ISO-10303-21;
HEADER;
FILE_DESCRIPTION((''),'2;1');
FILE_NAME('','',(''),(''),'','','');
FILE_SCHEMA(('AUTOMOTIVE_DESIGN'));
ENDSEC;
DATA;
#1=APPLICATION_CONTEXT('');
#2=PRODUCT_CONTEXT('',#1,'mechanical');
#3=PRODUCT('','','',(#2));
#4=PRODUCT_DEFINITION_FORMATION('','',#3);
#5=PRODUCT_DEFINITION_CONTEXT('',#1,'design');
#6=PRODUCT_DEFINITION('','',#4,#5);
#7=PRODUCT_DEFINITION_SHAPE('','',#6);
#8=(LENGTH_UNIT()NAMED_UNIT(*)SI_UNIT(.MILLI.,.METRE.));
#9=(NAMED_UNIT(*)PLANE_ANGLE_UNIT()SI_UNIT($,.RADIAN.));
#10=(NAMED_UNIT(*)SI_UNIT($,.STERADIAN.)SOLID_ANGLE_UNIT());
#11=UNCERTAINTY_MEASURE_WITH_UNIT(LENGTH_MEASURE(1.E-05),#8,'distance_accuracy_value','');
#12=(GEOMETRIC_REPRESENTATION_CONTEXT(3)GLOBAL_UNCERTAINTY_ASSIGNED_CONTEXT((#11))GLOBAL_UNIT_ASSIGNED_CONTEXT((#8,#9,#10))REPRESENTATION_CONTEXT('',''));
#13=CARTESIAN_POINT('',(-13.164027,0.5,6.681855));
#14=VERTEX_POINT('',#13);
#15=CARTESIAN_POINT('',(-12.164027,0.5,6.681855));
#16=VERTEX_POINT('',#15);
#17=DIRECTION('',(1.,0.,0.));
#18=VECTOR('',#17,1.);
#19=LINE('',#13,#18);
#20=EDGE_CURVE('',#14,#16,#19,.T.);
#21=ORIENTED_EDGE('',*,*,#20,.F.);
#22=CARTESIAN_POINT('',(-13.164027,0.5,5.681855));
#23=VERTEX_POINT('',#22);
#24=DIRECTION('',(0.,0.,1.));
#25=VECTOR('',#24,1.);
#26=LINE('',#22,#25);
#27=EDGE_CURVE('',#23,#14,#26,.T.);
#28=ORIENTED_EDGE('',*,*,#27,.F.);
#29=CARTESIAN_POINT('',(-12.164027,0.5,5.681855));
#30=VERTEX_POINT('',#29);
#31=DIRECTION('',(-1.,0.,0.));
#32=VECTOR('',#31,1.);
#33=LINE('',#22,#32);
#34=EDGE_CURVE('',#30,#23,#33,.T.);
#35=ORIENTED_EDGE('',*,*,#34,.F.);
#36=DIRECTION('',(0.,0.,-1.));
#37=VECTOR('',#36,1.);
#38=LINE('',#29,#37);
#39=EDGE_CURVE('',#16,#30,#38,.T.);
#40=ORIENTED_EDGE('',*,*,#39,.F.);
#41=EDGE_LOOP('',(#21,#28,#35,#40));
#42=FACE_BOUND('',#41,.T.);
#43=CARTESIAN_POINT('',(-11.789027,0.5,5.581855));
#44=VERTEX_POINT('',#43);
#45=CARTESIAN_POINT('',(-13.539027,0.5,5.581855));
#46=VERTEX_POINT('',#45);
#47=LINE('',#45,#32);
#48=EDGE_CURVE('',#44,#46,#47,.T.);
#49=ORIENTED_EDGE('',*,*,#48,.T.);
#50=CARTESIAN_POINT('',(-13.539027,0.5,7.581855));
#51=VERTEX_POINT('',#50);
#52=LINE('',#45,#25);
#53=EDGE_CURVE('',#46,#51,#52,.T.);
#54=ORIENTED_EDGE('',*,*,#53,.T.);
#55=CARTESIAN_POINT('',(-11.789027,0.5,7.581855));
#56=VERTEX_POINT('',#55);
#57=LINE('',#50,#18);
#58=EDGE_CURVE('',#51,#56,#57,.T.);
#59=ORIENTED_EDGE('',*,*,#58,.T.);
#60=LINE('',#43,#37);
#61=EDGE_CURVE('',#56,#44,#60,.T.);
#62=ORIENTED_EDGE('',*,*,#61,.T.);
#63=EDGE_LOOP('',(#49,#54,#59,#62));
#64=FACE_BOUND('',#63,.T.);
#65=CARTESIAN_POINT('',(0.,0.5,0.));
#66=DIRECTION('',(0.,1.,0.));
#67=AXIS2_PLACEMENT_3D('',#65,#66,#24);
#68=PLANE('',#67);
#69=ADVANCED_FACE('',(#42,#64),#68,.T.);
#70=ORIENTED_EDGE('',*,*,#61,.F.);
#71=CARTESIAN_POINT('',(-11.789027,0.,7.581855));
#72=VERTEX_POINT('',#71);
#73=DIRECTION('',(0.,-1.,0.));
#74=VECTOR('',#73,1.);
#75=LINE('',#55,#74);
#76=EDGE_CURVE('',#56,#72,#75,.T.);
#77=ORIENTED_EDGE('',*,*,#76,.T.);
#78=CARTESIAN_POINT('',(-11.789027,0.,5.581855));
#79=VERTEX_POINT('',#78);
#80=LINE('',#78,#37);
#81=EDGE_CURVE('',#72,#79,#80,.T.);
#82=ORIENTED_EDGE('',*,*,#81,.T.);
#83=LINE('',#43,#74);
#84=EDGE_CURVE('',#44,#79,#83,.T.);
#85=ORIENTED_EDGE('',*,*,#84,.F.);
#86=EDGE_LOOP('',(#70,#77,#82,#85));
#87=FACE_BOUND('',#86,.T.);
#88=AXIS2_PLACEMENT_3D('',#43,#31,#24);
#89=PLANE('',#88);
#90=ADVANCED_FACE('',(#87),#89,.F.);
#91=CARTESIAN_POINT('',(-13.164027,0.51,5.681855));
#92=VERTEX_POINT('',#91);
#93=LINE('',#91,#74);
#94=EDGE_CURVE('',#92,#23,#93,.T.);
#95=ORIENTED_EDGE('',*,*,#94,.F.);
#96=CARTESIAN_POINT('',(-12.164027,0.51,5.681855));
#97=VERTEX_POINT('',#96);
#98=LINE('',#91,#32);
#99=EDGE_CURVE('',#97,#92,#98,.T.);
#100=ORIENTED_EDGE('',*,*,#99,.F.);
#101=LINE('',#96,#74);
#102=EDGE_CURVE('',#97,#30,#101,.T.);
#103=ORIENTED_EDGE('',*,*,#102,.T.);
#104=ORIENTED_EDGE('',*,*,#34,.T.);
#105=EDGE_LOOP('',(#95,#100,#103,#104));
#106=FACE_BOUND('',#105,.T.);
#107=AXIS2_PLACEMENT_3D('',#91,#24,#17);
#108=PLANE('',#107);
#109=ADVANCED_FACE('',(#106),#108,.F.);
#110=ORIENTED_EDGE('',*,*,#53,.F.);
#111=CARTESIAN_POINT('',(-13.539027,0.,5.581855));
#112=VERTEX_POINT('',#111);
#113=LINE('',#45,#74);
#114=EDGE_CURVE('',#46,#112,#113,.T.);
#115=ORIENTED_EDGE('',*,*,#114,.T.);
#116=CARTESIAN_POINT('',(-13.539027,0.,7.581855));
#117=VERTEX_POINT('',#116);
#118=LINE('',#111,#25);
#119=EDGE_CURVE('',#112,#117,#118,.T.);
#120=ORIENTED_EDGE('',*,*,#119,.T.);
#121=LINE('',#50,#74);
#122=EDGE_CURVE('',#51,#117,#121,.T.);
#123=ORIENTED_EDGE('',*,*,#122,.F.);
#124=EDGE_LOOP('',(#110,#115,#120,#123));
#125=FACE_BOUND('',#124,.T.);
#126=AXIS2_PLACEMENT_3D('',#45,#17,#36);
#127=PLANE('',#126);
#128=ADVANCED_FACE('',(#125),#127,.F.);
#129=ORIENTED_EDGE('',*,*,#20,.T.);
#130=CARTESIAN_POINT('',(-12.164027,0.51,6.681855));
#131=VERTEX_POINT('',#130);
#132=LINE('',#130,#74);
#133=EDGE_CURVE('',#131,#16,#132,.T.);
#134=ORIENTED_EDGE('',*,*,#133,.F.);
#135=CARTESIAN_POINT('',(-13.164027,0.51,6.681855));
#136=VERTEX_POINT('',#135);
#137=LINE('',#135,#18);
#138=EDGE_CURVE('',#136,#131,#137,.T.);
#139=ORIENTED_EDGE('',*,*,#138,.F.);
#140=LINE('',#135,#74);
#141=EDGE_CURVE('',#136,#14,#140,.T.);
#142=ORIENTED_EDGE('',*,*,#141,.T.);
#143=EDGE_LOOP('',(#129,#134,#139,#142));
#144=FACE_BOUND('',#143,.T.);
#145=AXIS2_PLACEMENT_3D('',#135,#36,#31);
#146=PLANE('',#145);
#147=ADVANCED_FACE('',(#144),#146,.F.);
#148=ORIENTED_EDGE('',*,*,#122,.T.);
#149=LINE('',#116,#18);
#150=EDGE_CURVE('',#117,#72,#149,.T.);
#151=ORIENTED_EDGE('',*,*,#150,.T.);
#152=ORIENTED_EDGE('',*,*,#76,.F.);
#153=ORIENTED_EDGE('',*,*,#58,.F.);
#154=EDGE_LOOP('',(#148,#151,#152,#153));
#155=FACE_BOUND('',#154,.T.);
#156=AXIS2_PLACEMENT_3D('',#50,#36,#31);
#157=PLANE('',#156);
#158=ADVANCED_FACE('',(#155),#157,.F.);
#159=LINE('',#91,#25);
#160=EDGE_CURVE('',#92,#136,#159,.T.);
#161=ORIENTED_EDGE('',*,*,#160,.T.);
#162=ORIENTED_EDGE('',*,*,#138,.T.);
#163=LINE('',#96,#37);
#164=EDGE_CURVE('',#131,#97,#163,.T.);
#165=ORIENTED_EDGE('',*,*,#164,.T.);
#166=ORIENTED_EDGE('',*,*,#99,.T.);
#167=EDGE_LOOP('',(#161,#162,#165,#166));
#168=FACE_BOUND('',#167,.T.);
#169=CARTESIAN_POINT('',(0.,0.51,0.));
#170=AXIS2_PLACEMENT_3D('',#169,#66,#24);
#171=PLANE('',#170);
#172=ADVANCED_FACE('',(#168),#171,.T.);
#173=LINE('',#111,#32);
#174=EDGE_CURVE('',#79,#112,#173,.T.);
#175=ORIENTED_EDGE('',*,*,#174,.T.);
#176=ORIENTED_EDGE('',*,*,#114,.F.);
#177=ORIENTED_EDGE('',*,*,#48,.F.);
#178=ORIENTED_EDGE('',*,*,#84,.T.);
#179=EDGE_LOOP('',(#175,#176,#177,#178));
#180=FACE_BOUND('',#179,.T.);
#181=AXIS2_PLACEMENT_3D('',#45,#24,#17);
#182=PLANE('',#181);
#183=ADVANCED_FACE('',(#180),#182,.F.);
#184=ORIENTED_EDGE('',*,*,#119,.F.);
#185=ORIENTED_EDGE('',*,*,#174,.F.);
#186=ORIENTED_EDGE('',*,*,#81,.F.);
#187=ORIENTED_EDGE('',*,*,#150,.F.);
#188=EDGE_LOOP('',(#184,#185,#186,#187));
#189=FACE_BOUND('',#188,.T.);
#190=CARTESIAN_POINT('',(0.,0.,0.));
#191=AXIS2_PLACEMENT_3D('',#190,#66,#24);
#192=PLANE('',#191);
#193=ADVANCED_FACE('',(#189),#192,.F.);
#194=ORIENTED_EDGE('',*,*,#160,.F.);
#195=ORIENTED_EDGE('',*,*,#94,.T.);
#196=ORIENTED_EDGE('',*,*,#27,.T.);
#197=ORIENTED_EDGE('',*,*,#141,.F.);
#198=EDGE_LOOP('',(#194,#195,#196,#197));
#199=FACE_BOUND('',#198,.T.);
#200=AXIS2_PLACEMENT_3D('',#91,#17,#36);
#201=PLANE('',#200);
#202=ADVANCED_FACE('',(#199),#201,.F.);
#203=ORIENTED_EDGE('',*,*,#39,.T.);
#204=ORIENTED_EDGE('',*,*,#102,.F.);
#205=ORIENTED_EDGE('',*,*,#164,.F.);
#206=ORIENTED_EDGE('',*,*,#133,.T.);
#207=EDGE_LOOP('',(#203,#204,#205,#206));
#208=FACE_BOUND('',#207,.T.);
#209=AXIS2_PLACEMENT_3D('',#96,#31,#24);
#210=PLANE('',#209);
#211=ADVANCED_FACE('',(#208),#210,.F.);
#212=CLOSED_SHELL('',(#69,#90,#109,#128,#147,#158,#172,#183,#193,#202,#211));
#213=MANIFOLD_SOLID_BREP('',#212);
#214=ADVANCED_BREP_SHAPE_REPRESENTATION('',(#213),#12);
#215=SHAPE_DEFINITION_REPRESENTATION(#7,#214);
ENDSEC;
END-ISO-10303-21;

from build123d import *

# Parameters (mm, degrees)
SCHIZZO1_W                   = 1.75
SCHIZZO1_H                   = 2
ESTRUSIONE_ESTRUSIONE1_DEPTH = 0.5
SCHIZZO2_W                   = 1
SCHIZZO2_H                   = 1
ESTRUSIONE_ESTRUSIONE2_DEPTH = 0.01


with BuildPart() as part:
    # Schizzo1 → Estrusione-Estrusione1 (new body)
    with BuildSketch(Plane(origin=(0, 0, 0), x_dir=(1, 0, 0), z_dir=(0, 1, 0))):
        with Locations((-12.664027306, -6.581855291)):
            Rectangle(SCHIZZO1_W, SCHIZZO1_H)
    extrude(amount=ESTRUSIONE_ESTRUSIONE1_DEPTH)

    # Schizzo2 → Estrusione-Estrusione2 (add)
    with BuildSketch(Plane(origin=(0, 0.5, 0), x_dir=(1, 0, 0), z_dir=(0, 1, 0))):
        with Locations((-12.664027306, -6.181855291)):
            Rectangle(SCHIZZO2_W, SCHIZZO2_H)
    extrude(amount=ESTRUSIONE_ESTRUSIONE2_DEPTH)


solid = part.part
